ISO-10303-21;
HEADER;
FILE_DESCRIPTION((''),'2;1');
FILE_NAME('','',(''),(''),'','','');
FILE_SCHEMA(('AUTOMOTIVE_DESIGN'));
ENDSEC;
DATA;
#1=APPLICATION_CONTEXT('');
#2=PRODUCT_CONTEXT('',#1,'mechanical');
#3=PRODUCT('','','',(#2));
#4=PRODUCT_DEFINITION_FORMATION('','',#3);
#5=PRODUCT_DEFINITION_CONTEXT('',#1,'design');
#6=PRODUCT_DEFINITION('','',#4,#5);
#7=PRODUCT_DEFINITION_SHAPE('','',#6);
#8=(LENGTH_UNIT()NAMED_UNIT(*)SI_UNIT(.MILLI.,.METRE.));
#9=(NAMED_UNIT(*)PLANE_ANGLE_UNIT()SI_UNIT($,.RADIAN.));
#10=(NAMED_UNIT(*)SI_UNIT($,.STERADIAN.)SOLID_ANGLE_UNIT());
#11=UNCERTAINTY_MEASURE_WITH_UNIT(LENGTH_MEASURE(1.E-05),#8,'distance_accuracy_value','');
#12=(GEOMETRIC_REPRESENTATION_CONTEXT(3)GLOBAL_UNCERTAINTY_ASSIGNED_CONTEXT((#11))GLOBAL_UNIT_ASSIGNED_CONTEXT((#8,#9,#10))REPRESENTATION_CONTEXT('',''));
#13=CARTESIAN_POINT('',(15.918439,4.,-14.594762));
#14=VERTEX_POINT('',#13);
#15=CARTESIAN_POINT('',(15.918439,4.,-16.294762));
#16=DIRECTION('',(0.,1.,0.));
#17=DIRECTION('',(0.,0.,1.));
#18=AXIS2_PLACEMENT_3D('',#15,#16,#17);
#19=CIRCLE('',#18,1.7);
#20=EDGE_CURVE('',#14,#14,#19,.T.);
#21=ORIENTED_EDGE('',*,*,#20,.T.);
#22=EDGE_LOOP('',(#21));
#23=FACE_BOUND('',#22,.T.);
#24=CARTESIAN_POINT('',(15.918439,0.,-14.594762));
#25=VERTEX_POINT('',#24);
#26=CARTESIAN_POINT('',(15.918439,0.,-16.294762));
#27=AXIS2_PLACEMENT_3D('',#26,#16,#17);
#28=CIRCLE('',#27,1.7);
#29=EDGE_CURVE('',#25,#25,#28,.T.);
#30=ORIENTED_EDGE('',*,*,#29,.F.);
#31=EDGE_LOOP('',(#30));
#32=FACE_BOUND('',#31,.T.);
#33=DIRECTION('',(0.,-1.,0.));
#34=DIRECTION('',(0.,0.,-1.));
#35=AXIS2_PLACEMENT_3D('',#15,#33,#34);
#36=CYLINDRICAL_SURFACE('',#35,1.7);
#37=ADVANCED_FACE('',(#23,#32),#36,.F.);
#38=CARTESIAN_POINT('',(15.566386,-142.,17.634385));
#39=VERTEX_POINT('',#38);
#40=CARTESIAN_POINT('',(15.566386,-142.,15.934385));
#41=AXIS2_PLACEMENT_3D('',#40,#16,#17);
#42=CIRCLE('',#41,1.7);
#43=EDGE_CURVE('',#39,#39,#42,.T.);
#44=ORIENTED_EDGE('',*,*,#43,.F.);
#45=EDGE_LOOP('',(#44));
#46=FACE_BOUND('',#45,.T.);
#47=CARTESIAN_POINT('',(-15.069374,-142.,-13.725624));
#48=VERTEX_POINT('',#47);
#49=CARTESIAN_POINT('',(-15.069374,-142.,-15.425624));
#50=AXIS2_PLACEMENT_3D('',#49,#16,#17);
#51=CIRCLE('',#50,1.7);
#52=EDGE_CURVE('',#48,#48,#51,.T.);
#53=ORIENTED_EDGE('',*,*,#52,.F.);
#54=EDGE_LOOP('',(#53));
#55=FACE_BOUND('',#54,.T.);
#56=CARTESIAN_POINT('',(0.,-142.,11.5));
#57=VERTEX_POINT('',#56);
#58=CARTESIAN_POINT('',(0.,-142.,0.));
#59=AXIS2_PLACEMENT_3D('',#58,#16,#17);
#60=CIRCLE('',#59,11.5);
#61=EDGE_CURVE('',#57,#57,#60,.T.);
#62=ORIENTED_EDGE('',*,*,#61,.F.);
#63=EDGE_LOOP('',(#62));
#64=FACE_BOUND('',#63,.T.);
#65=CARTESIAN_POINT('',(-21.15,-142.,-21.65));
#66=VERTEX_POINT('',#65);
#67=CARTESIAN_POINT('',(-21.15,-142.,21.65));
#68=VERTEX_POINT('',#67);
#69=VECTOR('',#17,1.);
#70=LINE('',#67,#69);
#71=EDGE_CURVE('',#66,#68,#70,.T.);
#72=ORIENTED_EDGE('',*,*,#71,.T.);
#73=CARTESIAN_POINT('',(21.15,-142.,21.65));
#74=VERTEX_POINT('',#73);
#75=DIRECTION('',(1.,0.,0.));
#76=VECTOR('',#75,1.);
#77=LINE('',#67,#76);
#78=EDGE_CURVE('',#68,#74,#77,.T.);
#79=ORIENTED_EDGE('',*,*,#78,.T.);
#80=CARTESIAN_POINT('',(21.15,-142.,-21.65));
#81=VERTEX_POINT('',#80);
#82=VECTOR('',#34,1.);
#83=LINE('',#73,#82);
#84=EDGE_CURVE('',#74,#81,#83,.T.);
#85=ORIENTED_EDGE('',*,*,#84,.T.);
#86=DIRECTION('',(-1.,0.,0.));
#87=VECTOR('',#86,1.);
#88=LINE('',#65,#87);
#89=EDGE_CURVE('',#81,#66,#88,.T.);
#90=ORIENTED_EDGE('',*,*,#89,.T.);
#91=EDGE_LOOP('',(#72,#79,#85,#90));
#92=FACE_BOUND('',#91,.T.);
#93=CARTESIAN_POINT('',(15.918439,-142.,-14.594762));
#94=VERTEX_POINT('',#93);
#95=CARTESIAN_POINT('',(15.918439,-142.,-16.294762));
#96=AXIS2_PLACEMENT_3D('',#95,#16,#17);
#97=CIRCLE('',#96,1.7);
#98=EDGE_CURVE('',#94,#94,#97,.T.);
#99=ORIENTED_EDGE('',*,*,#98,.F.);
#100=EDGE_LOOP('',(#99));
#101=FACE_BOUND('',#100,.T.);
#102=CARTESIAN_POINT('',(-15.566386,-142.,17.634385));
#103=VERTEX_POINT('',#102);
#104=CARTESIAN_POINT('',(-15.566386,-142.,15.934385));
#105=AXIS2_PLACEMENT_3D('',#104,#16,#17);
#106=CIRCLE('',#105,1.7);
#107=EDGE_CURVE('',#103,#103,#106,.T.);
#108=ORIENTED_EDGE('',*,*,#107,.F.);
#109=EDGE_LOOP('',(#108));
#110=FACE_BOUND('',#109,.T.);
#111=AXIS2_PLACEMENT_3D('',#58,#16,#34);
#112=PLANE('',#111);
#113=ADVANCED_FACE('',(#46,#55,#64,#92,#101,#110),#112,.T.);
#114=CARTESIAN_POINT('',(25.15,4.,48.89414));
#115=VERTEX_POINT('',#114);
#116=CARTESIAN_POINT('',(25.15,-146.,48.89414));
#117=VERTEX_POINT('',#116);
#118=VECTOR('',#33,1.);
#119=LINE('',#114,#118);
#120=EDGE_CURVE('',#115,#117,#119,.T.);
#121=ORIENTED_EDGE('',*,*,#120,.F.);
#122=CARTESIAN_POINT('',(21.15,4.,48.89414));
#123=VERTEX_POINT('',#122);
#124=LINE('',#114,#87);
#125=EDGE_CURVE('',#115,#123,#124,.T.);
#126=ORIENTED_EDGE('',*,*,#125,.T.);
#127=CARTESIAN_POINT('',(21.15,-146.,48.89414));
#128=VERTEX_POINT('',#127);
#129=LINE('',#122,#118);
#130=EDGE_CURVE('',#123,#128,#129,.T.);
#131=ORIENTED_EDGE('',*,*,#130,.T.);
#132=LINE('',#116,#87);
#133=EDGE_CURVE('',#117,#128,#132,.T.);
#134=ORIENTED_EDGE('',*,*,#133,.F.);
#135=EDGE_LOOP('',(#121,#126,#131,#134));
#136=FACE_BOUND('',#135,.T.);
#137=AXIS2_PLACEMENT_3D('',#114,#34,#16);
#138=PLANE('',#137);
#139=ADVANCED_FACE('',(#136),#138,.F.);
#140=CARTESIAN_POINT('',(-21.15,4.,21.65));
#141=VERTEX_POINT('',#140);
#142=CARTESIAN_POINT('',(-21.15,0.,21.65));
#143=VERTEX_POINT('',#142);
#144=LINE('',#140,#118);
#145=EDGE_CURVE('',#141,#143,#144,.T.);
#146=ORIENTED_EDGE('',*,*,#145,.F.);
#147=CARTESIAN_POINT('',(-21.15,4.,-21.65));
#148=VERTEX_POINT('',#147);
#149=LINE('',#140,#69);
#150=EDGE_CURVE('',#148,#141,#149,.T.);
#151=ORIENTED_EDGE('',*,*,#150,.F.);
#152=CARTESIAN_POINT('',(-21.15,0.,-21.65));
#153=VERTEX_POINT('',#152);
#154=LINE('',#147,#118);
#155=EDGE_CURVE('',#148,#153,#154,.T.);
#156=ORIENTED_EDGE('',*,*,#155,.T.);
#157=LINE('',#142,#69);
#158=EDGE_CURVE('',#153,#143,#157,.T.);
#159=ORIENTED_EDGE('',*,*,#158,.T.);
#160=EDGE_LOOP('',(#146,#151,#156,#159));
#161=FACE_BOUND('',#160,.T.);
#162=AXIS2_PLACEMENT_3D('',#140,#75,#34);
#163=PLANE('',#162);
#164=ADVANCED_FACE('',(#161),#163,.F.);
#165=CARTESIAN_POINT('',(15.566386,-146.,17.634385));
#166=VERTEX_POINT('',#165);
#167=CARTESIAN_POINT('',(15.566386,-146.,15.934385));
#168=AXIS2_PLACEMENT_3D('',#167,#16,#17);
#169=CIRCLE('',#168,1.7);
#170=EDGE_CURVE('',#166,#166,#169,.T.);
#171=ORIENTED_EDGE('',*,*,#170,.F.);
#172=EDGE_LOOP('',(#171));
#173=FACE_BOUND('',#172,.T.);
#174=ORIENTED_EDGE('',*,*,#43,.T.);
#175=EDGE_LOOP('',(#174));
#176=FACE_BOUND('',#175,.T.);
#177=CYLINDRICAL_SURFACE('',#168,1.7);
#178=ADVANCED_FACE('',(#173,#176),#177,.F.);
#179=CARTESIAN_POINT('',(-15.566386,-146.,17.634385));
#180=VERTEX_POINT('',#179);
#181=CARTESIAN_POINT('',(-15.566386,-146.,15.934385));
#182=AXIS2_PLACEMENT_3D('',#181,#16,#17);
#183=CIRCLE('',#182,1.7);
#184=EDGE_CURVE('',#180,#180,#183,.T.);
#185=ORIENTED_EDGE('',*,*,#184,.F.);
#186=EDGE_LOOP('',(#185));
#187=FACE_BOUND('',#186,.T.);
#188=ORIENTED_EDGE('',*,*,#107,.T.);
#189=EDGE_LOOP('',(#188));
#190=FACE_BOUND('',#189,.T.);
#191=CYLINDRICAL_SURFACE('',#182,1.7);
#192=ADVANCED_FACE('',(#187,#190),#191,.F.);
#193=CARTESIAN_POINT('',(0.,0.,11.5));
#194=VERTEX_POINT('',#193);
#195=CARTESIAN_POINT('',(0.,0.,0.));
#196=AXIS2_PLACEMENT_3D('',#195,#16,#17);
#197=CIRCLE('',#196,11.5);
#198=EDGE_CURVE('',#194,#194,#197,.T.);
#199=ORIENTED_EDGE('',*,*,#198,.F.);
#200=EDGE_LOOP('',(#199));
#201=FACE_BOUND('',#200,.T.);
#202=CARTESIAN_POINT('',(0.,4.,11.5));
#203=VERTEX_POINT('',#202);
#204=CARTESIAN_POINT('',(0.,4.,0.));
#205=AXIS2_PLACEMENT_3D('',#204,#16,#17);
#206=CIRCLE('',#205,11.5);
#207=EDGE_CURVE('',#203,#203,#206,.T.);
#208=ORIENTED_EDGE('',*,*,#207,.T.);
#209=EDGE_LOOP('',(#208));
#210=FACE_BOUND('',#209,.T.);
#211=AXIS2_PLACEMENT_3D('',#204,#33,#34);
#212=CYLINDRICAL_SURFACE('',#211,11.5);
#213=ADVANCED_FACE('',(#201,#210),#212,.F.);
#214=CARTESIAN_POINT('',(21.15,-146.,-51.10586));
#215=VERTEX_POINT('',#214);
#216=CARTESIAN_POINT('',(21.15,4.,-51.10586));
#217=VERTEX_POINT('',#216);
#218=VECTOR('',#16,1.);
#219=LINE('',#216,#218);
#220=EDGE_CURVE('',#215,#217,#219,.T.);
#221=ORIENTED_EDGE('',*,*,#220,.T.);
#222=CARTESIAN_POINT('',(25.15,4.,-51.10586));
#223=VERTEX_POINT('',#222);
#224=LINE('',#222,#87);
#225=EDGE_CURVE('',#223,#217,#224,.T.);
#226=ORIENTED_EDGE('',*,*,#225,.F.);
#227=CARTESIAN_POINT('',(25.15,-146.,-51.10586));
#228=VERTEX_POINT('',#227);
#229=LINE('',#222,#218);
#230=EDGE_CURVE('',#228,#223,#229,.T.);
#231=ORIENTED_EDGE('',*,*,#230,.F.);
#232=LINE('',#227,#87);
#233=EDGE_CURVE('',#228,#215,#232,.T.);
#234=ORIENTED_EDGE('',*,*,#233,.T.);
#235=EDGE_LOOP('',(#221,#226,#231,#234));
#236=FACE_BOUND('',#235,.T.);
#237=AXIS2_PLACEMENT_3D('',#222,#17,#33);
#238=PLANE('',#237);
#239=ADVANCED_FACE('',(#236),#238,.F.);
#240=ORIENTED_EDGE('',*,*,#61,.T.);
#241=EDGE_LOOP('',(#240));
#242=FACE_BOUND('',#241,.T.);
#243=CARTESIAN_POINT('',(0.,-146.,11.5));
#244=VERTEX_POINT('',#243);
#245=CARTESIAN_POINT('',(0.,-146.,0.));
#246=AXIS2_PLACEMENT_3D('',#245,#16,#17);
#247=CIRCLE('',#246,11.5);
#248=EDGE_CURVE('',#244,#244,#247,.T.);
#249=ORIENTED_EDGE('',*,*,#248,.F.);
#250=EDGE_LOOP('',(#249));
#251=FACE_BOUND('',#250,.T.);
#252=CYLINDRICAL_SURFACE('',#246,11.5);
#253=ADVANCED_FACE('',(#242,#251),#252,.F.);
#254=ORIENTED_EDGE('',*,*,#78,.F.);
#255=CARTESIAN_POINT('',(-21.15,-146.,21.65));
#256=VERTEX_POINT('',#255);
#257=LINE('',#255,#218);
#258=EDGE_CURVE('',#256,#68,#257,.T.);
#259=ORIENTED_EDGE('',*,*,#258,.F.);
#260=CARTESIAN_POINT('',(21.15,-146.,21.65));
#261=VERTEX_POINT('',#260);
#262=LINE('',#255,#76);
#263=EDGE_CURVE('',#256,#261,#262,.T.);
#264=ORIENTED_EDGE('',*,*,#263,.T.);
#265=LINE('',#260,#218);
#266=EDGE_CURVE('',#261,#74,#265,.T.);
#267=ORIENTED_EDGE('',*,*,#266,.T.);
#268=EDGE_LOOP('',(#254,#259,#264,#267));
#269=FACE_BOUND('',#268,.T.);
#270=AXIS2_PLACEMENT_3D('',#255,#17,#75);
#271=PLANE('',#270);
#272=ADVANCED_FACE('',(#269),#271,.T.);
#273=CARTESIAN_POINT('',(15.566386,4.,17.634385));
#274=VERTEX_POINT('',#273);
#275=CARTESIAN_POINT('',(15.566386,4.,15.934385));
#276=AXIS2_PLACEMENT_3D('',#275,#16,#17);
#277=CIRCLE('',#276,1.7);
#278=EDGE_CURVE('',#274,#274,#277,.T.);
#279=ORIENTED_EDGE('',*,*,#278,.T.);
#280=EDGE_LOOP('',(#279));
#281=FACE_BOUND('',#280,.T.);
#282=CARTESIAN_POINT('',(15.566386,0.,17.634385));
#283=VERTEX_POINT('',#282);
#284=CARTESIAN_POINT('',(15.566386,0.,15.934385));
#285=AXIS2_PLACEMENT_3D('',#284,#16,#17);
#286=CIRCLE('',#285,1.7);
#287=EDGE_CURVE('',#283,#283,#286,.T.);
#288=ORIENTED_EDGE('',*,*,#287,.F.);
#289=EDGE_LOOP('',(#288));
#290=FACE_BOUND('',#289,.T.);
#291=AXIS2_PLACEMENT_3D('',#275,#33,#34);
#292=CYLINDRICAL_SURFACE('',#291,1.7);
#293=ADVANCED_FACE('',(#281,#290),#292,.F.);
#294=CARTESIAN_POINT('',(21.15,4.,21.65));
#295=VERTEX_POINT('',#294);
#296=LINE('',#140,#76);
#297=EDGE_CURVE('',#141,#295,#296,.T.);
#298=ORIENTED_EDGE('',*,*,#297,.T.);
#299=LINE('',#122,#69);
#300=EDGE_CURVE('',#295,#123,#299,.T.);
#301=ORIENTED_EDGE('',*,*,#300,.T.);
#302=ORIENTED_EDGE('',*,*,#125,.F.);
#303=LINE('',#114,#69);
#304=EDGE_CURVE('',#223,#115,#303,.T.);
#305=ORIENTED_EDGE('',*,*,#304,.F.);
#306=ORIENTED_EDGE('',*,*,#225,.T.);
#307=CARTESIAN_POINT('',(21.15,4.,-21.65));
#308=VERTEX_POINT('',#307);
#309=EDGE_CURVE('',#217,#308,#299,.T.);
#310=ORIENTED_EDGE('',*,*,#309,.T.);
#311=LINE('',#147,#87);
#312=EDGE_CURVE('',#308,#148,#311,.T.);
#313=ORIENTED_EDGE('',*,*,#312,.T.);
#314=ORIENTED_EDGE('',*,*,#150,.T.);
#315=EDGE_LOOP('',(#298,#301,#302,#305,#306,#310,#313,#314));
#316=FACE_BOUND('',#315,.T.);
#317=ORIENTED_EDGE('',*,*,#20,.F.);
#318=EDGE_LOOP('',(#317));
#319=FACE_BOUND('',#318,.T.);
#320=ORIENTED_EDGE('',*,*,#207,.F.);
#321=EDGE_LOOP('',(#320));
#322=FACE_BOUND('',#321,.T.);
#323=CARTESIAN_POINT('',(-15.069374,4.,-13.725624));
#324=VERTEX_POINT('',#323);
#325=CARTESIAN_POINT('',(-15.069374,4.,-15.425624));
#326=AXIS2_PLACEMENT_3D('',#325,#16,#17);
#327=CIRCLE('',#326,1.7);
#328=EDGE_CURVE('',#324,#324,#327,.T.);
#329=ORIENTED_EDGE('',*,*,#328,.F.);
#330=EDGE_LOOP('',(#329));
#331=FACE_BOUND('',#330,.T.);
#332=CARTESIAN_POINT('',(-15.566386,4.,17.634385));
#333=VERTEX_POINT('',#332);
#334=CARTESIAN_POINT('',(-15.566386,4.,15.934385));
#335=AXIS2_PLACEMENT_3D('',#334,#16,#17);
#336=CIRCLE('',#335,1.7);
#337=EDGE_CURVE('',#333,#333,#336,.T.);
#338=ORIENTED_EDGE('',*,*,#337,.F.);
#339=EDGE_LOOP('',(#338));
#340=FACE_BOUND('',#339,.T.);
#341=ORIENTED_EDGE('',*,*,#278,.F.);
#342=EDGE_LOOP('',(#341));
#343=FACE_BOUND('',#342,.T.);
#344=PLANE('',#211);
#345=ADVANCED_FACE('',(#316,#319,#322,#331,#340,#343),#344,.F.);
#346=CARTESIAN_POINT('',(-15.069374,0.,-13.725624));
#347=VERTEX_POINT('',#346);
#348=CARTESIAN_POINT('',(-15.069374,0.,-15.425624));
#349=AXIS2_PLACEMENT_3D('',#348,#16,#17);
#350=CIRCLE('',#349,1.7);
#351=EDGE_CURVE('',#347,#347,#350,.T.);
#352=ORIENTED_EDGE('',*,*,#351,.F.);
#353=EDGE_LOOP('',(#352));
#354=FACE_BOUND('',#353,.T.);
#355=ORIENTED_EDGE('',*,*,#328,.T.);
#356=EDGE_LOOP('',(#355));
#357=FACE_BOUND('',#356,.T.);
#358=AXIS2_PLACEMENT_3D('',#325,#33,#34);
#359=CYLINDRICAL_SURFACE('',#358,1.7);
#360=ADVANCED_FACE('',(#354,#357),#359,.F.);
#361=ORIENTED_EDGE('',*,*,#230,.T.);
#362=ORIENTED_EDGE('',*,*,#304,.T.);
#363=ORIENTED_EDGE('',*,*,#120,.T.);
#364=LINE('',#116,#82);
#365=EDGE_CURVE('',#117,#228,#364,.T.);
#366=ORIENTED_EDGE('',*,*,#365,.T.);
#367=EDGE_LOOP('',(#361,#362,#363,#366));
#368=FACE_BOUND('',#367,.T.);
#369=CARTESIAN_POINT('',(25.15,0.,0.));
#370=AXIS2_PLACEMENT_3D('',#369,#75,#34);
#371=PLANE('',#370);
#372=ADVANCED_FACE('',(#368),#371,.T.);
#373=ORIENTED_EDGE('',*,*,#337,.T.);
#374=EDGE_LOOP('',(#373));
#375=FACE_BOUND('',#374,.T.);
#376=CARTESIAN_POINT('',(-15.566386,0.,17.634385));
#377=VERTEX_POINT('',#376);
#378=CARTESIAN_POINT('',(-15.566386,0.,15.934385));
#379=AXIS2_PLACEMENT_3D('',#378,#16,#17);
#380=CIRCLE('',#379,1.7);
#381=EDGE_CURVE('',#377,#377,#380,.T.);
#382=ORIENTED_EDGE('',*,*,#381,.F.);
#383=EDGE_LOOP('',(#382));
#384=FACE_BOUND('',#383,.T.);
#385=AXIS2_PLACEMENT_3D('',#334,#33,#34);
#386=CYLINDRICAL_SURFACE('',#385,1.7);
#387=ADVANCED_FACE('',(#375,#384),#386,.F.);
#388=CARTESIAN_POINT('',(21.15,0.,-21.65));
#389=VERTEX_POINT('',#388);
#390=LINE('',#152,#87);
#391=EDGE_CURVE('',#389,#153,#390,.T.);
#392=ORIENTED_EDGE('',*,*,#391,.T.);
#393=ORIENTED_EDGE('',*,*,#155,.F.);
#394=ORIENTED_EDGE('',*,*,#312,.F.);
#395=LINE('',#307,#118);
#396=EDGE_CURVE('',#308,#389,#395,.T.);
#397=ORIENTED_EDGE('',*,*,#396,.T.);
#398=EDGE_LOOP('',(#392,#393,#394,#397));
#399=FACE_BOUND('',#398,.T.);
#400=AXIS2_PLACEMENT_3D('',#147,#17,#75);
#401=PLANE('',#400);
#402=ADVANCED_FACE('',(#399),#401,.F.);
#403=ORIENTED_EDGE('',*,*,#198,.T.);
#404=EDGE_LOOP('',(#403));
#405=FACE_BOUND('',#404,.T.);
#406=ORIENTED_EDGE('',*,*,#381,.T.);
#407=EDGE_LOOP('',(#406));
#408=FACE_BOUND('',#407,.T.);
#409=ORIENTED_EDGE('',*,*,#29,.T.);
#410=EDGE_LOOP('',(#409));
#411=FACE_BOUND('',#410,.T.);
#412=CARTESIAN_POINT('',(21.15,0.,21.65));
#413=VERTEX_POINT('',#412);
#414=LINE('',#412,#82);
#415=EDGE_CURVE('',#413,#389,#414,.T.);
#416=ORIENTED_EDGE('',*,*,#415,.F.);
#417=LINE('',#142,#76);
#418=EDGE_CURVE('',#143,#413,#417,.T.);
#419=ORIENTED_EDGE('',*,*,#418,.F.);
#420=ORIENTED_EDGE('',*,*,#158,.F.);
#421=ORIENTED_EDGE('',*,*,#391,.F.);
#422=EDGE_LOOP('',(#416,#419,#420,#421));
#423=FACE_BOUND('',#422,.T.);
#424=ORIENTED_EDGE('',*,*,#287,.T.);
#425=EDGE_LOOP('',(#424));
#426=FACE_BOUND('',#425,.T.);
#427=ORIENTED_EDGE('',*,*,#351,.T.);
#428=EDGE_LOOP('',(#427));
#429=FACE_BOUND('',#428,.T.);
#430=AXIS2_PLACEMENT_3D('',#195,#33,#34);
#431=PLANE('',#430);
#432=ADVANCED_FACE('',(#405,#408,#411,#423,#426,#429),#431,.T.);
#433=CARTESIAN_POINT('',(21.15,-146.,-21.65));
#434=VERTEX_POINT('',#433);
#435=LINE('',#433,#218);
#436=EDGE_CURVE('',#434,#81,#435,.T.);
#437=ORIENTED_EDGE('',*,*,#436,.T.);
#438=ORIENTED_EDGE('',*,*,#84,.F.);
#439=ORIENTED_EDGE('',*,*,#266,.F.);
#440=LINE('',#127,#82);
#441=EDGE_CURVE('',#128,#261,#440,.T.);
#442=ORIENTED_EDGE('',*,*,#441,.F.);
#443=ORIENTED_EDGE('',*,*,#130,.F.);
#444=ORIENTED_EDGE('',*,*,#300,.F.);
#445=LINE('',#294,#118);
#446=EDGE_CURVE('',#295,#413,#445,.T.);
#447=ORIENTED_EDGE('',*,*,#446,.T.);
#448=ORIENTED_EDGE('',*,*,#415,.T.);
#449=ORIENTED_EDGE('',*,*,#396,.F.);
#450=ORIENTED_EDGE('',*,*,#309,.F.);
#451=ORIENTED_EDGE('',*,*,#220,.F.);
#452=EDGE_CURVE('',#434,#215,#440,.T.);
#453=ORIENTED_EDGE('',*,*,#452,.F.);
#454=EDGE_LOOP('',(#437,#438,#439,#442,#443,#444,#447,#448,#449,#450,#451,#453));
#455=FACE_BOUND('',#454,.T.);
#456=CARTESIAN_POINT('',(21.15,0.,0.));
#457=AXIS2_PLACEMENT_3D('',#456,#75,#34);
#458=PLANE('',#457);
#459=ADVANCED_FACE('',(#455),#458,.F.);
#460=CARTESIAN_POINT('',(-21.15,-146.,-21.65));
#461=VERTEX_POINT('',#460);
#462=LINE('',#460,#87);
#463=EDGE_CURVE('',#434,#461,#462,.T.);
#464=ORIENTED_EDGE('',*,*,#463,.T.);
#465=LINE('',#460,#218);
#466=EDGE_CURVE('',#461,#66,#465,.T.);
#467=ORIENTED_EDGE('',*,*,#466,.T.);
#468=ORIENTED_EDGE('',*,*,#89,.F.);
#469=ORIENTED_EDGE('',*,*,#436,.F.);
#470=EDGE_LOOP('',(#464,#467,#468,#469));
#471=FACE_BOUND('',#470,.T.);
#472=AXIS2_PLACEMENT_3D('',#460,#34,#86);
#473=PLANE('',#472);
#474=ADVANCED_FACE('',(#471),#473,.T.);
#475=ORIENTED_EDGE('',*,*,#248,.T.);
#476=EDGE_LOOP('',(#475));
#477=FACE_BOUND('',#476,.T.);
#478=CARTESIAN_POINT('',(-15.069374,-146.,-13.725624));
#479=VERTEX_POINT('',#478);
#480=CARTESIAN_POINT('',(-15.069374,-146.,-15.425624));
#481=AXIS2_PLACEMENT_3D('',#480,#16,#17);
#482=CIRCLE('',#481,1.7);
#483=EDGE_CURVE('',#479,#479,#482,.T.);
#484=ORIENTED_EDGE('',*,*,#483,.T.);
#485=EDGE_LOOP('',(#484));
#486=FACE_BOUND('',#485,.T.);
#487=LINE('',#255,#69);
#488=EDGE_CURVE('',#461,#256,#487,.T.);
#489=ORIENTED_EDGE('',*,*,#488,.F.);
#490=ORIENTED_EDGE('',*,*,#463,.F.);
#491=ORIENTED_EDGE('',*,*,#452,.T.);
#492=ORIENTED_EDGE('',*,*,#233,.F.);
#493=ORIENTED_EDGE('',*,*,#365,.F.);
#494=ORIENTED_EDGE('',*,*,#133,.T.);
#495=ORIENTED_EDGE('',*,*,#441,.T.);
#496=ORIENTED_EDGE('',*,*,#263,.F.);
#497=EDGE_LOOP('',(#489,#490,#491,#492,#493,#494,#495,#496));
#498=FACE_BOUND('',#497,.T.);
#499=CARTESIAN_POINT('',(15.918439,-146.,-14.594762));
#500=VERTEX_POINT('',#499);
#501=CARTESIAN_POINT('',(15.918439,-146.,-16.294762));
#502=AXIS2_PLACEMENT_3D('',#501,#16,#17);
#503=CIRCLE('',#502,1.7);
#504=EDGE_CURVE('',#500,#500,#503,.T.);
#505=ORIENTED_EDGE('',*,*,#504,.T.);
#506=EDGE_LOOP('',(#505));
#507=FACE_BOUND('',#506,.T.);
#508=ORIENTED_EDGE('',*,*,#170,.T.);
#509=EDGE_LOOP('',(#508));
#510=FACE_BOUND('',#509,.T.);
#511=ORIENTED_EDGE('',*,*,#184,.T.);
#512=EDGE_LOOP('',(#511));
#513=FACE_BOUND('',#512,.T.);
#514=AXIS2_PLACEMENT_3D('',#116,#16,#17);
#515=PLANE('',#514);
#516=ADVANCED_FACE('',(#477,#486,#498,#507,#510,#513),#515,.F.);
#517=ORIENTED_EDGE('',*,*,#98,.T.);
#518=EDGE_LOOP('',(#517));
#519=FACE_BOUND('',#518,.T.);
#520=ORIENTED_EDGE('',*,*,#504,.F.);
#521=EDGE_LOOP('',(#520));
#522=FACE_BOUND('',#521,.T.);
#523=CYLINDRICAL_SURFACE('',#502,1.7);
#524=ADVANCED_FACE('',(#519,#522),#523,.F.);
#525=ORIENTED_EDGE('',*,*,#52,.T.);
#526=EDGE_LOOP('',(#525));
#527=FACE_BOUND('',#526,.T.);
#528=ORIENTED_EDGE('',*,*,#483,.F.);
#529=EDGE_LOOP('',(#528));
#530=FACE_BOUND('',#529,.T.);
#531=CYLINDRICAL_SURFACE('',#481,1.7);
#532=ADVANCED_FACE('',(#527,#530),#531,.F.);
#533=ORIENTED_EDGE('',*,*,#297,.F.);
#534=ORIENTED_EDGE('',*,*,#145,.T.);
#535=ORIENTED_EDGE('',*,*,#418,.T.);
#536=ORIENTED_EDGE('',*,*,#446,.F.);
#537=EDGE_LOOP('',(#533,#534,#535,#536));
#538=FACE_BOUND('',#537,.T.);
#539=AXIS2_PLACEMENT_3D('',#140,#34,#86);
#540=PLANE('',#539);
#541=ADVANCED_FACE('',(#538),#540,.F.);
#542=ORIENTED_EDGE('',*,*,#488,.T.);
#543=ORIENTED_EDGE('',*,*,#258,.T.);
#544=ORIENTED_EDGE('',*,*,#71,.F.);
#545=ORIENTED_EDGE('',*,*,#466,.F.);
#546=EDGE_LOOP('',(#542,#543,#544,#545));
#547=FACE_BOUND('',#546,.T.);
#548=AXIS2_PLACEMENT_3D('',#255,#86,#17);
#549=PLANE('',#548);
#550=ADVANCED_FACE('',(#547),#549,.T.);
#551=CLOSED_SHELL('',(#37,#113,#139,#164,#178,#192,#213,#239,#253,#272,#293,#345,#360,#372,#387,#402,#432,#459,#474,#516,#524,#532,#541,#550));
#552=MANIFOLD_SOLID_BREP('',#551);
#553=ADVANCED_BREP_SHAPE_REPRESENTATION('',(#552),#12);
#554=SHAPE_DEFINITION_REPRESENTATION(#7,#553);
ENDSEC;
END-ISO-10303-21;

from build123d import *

# Parameters (mm, degrees)
SKETCH2_W           = 42.3
SKETCH2_H           = 43.3
SKETCH2_R           = 1.7
SKETCH2_R_2         = 11.5
BOSS_EXTRUDE1_DEPTH = 4
SKETCH10_W          = 100
SKETCH10_H          = 150
BOSS_EXTRUDE3_DEPTH = 4


with BuildPart() as part:
    # Sketch2 → Boss-Extrude1 (new body)
    with BuildSketch(Plane(origin=(0, 0, 0), x_dir=(1, 0, 0), z_dir=(0, 1, 0))):
        Rectangle(SKETCH2_W, SKETCH2_H)
        with Locations(Location((-15.069374363, 15.425624348, 0), (0, 0, 270))):
            Circle(SKETCH2_R, mode=Mode.SUBTRACT)
        with Locations(Location((15.918439372, 16.294761816, 0), (0, 0, 270))):
            Circle(SKETCH2_R, mode=Mode.SUBTRACT)
        with Locations(Location((15.566385671, -15.934385332, 0), (0, 0, 270))):
            Circle(SKETCH2_R, mode=Mode.SUBTRACT)
        with Locations(Location((-15.566385671, -15.934385332, 0), (0, 0, 270))):
            Circle(SKETCH2_R, mode=Mode.SUBTRACT)
        with Locations(Location((0, 0, 0), (0, 0, 270))):
            Circle(SKETCH2_R_2, mode=Mode.SUBTRACT)
    boss_extrude1 = extrude(amount=BOSS_EXTRUDE1_DEPTH)

    # Sketch10 → Boss-Extrude3 (add)
    with BuildSketch(Plane(origin=(21.15, 4, 21.65), x_dir=(0, 0, -1), z_dir=(1, 0, 0))):
        with Locations((22.755859724, -75)):
            Rectangle(SKETCH10_W, SKETCH10_H)
    extrude(amount=BOSS_EXTRUDE3_DEPTH)

    # Mirror3: Boss-Extrude1 across plane
    add(boss_extrude1.mirror(Plane(origin=(0, -71, 0), x_dir=(0, 0, 1), z_dir=(0, -1, 0))))


solid = part.part
